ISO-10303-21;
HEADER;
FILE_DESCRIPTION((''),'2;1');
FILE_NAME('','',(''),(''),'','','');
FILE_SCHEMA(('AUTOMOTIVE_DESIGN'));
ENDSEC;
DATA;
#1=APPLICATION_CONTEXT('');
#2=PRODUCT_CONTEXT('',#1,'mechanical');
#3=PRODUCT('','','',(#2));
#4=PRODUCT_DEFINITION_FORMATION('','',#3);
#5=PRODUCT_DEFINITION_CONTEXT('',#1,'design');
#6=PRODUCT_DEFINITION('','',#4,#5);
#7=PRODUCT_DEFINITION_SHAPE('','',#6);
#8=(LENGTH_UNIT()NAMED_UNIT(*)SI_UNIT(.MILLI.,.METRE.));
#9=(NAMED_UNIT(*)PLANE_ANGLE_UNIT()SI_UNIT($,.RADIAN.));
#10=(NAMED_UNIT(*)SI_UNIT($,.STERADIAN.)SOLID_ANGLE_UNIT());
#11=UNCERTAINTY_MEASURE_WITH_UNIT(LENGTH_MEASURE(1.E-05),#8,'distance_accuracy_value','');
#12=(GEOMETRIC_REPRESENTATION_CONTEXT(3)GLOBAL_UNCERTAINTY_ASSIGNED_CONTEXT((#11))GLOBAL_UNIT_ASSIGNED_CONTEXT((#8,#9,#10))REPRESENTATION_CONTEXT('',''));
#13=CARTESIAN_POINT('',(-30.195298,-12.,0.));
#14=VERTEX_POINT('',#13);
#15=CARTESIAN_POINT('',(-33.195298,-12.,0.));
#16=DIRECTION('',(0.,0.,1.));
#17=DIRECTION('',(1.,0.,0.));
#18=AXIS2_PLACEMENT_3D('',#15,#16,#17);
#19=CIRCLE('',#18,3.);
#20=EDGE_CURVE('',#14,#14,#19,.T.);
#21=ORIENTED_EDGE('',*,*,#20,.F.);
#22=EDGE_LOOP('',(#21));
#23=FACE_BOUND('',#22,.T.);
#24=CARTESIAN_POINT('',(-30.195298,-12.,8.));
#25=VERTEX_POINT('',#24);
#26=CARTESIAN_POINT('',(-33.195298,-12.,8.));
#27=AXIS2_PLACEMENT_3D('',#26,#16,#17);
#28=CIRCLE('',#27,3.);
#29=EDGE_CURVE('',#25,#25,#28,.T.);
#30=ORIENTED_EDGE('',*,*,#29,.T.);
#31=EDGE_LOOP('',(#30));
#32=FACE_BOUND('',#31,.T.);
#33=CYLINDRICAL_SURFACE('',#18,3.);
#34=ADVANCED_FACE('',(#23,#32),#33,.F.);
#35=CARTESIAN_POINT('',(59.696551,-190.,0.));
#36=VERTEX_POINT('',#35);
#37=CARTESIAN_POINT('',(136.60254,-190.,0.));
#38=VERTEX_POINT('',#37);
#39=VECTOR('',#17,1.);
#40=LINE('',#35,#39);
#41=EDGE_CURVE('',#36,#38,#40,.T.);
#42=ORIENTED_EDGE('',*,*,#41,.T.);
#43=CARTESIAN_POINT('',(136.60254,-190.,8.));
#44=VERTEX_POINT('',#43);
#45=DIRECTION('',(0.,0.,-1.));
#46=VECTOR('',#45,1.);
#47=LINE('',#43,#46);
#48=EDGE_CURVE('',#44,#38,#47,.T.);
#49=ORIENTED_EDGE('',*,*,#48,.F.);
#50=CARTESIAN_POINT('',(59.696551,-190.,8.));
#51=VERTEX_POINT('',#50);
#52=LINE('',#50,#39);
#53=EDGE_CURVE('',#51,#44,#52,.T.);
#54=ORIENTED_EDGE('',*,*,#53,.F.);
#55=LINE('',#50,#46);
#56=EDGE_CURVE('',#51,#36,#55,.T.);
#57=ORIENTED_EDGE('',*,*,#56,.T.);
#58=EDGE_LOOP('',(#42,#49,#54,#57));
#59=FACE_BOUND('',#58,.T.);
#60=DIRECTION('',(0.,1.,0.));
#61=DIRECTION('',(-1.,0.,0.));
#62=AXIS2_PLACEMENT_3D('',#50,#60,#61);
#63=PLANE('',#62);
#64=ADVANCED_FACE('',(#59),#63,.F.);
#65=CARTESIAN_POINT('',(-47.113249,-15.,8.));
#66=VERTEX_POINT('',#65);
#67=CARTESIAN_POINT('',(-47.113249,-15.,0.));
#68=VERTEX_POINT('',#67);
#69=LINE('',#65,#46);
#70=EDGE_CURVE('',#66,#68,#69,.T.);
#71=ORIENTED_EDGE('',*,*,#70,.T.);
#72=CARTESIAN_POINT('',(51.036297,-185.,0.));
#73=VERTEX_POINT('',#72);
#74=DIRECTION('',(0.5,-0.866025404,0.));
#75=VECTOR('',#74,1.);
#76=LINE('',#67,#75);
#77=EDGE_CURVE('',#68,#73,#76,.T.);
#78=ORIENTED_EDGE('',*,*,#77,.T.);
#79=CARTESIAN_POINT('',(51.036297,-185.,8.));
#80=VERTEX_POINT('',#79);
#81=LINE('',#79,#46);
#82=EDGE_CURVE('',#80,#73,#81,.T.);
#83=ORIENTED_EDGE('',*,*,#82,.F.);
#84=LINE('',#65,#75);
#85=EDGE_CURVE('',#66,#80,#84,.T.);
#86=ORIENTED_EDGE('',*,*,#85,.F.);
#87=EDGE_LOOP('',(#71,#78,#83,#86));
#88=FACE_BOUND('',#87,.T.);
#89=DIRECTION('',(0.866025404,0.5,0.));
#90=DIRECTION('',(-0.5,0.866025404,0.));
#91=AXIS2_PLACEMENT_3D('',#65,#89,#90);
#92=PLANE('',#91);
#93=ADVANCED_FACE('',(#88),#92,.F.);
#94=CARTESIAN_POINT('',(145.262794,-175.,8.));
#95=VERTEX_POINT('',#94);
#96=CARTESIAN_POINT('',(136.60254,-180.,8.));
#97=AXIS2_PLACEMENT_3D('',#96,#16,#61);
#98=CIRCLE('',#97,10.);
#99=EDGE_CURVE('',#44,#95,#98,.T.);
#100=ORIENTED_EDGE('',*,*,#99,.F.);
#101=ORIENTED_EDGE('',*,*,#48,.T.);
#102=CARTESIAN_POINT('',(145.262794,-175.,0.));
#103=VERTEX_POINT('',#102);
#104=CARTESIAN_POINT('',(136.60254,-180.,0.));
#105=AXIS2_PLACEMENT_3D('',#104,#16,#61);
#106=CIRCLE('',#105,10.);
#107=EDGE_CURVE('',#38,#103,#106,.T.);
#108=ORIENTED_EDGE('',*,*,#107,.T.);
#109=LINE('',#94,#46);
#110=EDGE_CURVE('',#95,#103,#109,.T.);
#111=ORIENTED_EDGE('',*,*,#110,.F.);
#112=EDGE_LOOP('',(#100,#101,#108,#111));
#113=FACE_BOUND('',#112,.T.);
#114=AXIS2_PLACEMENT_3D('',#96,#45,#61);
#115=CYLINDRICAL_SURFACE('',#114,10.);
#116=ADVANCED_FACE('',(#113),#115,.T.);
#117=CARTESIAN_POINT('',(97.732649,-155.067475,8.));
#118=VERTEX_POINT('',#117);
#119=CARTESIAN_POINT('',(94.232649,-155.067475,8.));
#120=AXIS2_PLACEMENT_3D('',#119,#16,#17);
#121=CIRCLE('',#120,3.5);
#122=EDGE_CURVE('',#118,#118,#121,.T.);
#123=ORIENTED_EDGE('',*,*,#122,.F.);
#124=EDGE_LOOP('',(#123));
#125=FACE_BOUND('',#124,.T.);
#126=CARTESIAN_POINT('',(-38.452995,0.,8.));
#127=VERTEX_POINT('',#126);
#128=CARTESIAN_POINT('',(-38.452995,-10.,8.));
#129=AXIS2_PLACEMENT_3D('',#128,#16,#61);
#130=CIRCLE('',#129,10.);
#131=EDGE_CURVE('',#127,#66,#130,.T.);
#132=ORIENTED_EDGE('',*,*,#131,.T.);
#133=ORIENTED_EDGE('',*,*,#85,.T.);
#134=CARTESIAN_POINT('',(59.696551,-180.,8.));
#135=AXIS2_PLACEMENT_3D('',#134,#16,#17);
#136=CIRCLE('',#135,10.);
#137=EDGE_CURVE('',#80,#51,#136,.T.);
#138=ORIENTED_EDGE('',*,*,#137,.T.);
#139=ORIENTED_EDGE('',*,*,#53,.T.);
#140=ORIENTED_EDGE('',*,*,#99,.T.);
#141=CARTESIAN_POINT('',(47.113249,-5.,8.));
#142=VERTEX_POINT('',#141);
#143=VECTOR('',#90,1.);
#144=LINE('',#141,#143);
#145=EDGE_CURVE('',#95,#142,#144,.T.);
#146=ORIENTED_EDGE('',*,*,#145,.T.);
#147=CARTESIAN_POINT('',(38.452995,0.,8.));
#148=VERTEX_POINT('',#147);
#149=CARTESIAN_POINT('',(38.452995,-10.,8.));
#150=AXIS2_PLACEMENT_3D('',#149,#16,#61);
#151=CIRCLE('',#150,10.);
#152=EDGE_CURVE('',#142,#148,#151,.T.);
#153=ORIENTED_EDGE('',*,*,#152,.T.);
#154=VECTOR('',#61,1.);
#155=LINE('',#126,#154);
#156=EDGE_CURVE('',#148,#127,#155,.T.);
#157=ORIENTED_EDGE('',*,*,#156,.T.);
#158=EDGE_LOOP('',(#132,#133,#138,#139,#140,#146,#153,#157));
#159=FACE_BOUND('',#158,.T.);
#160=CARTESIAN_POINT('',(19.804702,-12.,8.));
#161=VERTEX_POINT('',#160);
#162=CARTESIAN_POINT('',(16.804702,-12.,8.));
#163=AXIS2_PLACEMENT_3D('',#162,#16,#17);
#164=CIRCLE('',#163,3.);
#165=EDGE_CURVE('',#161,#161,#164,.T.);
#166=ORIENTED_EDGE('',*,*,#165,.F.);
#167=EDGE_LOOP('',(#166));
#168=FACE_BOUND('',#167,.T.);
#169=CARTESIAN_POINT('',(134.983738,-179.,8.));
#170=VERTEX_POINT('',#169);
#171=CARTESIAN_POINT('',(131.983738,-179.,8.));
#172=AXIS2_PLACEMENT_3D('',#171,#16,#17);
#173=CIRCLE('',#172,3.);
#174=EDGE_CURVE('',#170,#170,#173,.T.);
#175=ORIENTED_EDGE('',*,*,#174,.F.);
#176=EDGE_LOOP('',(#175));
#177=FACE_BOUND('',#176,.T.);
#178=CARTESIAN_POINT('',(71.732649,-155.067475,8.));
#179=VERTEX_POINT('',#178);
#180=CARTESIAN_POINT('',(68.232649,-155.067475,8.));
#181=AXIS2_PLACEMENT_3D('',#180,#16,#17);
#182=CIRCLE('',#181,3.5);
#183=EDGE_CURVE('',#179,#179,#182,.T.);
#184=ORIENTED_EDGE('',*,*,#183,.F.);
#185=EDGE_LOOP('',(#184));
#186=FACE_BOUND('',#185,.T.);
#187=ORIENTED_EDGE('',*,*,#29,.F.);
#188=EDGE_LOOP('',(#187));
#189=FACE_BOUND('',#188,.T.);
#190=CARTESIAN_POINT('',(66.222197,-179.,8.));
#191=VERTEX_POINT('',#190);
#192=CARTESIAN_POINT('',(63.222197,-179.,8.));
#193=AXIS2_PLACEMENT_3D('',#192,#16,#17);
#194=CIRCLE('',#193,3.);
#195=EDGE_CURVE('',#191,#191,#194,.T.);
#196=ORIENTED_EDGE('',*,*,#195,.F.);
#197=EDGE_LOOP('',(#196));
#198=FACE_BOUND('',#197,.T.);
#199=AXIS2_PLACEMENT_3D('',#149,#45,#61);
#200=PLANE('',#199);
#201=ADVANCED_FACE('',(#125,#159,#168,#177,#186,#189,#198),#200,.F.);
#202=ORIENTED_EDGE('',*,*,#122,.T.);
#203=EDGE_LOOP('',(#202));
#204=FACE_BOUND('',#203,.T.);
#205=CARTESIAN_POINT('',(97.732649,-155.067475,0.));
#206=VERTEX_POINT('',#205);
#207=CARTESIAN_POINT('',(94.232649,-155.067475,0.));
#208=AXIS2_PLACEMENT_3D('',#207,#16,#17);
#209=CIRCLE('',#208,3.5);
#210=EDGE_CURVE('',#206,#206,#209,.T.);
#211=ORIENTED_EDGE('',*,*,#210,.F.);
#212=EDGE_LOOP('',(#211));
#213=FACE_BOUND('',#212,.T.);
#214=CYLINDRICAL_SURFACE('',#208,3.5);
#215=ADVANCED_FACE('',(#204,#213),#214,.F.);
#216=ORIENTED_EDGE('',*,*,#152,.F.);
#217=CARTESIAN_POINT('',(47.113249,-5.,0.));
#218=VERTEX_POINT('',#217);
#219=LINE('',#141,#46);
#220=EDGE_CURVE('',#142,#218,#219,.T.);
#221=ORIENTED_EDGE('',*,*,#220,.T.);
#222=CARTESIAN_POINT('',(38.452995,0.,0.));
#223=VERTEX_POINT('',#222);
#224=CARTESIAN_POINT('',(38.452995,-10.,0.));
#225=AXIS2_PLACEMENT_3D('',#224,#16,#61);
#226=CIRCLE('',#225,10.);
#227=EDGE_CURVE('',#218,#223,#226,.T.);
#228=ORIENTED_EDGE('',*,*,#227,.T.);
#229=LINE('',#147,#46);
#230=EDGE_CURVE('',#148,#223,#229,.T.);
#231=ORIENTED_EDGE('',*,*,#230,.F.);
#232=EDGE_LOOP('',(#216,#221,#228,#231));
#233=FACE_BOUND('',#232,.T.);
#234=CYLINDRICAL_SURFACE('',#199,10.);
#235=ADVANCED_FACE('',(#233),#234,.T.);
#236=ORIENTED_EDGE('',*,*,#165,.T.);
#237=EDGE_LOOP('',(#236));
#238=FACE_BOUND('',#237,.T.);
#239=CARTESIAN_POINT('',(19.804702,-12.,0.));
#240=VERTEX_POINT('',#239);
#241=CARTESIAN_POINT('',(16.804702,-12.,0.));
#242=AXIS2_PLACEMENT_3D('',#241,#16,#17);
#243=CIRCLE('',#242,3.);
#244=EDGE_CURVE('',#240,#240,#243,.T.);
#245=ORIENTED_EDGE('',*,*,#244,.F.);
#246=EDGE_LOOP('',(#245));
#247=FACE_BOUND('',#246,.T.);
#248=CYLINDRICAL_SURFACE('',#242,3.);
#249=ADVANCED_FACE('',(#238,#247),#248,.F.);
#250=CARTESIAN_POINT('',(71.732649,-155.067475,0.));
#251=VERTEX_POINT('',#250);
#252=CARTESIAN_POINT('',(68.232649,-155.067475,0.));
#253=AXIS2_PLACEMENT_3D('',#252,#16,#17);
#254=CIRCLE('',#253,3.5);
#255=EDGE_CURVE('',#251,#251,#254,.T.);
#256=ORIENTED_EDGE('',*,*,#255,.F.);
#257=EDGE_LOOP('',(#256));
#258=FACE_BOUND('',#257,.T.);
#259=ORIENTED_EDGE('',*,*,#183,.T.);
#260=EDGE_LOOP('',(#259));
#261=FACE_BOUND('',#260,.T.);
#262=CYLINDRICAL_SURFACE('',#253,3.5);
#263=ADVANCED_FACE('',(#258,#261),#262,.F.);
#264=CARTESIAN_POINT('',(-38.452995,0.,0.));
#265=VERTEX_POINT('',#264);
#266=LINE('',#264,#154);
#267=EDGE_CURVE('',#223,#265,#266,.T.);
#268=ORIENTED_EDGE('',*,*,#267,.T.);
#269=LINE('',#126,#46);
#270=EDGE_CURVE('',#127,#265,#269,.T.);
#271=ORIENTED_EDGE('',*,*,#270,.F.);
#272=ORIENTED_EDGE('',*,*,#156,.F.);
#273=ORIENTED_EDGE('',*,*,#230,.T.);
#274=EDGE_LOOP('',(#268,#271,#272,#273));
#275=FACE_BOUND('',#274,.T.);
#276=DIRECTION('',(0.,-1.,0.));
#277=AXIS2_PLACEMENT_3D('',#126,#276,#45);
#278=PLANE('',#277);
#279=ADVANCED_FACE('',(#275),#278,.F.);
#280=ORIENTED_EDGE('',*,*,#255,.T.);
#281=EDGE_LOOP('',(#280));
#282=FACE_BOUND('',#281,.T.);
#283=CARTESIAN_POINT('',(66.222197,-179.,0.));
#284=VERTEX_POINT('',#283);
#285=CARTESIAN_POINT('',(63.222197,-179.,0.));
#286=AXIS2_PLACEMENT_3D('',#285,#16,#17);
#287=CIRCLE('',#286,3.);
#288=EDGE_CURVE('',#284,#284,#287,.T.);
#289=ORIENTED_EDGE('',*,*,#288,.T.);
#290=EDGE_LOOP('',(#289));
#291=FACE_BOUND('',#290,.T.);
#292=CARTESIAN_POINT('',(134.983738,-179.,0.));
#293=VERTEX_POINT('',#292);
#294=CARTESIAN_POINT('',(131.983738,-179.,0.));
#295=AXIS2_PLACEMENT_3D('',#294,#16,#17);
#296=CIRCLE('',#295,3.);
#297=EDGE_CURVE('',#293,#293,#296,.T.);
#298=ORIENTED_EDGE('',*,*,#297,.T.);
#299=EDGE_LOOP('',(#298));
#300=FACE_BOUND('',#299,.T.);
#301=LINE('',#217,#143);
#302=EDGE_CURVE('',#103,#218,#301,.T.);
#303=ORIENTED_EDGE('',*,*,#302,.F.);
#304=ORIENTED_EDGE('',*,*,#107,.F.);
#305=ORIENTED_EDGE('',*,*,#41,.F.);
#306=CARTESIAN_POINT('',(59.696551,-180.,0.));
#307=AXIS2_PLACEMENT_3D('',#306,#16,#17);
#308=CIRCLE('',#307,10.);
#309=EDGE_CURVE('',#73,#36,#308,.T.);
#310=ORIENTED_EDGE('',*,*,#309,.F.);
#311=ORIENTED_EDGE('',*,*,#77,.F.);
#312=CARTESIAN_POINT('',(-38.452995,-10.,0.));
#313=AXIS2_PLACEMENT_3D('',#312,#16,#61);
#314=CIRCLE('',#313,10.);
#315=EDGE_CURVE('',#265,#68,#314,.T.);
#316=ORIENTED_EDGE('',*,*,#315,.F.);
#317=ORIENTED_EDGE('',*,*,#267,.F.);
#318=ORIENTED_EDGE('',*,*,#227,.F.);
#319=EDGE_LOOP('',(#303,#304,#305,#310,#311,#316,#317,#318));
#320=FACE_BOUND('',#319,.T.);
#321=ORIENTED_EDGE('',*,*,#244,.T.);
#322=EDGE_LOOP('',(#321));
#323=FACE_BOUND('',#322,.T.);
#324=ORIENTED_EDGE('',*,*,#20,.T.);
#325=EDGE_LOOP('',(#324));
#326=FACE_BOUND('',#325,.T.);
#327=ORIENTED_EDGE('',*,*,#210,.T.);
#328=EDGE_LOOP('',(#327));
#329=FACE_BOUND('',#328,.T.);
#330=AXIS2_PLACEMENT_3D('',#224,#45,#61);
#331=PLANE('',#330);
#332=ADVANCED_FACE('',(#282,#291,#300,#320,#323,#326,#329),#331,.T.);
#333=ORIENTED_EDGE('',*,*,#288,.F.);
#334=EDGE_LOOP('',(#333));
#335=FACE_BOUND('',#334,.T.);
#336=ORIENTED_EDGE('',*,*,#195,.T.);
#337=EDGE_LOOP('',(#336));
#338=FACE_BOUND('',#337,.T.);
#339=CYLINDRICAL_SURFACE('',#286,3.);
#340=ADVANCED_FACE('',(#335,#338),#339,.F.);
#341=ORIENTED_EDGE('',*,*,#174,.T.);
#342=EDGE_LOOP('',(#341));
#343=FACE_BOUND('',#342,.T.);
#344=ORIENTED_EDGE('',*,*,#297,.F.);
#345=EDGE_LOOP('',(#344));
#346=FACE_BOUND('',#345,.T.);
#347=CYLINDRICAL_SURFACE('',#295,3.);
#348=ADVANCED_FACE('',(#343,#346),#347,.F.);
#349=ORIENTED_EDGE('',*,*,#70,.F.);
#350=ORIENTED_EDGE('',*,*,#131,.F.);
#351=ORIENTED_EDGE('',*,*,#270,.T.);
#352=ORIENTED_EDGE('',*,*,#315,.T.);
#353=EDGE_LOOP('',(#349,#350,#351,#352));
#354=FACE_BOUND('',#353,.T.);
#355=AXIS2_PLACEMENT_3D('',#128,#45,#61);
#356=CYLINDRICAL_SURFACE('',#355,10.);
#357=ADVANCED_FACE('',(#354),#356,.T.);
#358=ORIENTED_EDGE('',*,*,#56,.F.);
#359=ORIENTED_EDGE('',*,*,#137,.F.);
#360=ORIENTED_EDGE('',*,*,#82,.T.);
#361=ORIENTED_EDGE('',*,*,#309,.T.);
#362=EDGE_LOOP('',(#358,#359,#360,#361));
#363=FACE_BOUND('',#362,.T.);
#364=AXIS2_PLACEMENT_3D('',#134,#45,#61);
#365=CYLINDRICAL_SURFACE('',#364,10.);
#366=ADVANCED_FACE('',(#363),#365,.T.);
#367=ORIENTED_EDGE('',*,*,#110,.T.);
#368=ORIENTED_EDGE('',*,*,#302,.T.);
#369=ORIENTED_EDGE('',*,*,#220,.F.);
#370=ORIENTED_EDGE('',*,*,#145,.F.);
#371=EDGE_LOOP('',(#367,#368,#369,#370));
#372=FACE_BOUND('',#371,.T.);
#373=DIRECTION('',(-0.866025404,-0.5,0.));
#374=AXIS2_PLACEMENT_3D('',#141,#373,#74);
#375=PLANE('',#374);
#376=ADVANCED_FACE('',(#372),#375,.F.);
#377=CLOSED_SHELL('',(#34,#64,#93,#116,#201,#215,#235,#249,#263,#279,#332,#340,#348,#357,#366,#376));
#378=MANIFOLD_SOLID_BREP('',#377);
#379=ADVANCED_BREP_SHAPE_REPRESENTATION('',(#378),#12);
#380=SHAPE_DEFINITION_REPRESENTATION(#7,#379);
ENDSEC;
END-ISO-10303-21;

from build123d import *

# Parameters (mm, degrees)
BOSS_EXTRU_1_DEPTH      = 8
ESQUISSE2_R             = 3
ESQUISSE2_R_2           = 3.5
ENL_V_MAT_EXTRU_1_DEPTH = 644.25917494


with BuildPart() as part:
    # Esquisse1 → Boss.-Extru.1 (new body)
    with BuildSketch(Plane.XY):
        with BuildLine():
            Line((-38.452994616, 0), (38.452994616, 0))
            ThreePointArc((38.452994616, 0), (43.452994616, -1.339745962), (47.113248654, -5))
            Line((47.113248654, -5), (145.262794416, -175))
            ThreePointArc((145.262794416, -175), (145.262794416, -185), (136.602540378, -190))
            Line((136.602540378, -190), (59.696551146, -190))
            ThreePointArc((59.696551146, -190), (54.696551146, -188.660254038), (51.036297108, -185))
            Line((51.036297108, -185), (-47.113248654, -15))
            ThreePointArc((-47.113248654, -15), (-47.113248654, -5), (-38.452994616, 0))
        make_face()
    extrude(amount=BOSS_EXTRU_1_DEPTH)

    # Esquisse2 → Enlèv. mat.-Extru.1 (cut, through all)
    with BuildSketch(Plane(origin=(81.232648941, -630, 8), x_dir=(1, 0, 0), z_dir=(0, 0, 1))):
        with Locations((-114.42794679, 618)):
            Circle(ESQUISSE2_R)
        with Locations((-64.42794679, 618)):
            Circle(ESQUISSE2_R)
        with Locations((-13, 474.932525236)):
            Circle(ESQUISSE2_R_2)
        with Locations((13, 474.932525236)):
            Circle(ESQUISSE2_R_2)
        with Locations((-18.010451836, 451)):
            Circle(ESQUISSE2_R)
        with Locations((50.751089284, 451)):
            Circle(ESQUISSE2_R)
    extrude(amount=-ENL_V_MAT_EXTRU_1_DEPTH, mode=Mode.SUBTRACT)


solid = part.part
